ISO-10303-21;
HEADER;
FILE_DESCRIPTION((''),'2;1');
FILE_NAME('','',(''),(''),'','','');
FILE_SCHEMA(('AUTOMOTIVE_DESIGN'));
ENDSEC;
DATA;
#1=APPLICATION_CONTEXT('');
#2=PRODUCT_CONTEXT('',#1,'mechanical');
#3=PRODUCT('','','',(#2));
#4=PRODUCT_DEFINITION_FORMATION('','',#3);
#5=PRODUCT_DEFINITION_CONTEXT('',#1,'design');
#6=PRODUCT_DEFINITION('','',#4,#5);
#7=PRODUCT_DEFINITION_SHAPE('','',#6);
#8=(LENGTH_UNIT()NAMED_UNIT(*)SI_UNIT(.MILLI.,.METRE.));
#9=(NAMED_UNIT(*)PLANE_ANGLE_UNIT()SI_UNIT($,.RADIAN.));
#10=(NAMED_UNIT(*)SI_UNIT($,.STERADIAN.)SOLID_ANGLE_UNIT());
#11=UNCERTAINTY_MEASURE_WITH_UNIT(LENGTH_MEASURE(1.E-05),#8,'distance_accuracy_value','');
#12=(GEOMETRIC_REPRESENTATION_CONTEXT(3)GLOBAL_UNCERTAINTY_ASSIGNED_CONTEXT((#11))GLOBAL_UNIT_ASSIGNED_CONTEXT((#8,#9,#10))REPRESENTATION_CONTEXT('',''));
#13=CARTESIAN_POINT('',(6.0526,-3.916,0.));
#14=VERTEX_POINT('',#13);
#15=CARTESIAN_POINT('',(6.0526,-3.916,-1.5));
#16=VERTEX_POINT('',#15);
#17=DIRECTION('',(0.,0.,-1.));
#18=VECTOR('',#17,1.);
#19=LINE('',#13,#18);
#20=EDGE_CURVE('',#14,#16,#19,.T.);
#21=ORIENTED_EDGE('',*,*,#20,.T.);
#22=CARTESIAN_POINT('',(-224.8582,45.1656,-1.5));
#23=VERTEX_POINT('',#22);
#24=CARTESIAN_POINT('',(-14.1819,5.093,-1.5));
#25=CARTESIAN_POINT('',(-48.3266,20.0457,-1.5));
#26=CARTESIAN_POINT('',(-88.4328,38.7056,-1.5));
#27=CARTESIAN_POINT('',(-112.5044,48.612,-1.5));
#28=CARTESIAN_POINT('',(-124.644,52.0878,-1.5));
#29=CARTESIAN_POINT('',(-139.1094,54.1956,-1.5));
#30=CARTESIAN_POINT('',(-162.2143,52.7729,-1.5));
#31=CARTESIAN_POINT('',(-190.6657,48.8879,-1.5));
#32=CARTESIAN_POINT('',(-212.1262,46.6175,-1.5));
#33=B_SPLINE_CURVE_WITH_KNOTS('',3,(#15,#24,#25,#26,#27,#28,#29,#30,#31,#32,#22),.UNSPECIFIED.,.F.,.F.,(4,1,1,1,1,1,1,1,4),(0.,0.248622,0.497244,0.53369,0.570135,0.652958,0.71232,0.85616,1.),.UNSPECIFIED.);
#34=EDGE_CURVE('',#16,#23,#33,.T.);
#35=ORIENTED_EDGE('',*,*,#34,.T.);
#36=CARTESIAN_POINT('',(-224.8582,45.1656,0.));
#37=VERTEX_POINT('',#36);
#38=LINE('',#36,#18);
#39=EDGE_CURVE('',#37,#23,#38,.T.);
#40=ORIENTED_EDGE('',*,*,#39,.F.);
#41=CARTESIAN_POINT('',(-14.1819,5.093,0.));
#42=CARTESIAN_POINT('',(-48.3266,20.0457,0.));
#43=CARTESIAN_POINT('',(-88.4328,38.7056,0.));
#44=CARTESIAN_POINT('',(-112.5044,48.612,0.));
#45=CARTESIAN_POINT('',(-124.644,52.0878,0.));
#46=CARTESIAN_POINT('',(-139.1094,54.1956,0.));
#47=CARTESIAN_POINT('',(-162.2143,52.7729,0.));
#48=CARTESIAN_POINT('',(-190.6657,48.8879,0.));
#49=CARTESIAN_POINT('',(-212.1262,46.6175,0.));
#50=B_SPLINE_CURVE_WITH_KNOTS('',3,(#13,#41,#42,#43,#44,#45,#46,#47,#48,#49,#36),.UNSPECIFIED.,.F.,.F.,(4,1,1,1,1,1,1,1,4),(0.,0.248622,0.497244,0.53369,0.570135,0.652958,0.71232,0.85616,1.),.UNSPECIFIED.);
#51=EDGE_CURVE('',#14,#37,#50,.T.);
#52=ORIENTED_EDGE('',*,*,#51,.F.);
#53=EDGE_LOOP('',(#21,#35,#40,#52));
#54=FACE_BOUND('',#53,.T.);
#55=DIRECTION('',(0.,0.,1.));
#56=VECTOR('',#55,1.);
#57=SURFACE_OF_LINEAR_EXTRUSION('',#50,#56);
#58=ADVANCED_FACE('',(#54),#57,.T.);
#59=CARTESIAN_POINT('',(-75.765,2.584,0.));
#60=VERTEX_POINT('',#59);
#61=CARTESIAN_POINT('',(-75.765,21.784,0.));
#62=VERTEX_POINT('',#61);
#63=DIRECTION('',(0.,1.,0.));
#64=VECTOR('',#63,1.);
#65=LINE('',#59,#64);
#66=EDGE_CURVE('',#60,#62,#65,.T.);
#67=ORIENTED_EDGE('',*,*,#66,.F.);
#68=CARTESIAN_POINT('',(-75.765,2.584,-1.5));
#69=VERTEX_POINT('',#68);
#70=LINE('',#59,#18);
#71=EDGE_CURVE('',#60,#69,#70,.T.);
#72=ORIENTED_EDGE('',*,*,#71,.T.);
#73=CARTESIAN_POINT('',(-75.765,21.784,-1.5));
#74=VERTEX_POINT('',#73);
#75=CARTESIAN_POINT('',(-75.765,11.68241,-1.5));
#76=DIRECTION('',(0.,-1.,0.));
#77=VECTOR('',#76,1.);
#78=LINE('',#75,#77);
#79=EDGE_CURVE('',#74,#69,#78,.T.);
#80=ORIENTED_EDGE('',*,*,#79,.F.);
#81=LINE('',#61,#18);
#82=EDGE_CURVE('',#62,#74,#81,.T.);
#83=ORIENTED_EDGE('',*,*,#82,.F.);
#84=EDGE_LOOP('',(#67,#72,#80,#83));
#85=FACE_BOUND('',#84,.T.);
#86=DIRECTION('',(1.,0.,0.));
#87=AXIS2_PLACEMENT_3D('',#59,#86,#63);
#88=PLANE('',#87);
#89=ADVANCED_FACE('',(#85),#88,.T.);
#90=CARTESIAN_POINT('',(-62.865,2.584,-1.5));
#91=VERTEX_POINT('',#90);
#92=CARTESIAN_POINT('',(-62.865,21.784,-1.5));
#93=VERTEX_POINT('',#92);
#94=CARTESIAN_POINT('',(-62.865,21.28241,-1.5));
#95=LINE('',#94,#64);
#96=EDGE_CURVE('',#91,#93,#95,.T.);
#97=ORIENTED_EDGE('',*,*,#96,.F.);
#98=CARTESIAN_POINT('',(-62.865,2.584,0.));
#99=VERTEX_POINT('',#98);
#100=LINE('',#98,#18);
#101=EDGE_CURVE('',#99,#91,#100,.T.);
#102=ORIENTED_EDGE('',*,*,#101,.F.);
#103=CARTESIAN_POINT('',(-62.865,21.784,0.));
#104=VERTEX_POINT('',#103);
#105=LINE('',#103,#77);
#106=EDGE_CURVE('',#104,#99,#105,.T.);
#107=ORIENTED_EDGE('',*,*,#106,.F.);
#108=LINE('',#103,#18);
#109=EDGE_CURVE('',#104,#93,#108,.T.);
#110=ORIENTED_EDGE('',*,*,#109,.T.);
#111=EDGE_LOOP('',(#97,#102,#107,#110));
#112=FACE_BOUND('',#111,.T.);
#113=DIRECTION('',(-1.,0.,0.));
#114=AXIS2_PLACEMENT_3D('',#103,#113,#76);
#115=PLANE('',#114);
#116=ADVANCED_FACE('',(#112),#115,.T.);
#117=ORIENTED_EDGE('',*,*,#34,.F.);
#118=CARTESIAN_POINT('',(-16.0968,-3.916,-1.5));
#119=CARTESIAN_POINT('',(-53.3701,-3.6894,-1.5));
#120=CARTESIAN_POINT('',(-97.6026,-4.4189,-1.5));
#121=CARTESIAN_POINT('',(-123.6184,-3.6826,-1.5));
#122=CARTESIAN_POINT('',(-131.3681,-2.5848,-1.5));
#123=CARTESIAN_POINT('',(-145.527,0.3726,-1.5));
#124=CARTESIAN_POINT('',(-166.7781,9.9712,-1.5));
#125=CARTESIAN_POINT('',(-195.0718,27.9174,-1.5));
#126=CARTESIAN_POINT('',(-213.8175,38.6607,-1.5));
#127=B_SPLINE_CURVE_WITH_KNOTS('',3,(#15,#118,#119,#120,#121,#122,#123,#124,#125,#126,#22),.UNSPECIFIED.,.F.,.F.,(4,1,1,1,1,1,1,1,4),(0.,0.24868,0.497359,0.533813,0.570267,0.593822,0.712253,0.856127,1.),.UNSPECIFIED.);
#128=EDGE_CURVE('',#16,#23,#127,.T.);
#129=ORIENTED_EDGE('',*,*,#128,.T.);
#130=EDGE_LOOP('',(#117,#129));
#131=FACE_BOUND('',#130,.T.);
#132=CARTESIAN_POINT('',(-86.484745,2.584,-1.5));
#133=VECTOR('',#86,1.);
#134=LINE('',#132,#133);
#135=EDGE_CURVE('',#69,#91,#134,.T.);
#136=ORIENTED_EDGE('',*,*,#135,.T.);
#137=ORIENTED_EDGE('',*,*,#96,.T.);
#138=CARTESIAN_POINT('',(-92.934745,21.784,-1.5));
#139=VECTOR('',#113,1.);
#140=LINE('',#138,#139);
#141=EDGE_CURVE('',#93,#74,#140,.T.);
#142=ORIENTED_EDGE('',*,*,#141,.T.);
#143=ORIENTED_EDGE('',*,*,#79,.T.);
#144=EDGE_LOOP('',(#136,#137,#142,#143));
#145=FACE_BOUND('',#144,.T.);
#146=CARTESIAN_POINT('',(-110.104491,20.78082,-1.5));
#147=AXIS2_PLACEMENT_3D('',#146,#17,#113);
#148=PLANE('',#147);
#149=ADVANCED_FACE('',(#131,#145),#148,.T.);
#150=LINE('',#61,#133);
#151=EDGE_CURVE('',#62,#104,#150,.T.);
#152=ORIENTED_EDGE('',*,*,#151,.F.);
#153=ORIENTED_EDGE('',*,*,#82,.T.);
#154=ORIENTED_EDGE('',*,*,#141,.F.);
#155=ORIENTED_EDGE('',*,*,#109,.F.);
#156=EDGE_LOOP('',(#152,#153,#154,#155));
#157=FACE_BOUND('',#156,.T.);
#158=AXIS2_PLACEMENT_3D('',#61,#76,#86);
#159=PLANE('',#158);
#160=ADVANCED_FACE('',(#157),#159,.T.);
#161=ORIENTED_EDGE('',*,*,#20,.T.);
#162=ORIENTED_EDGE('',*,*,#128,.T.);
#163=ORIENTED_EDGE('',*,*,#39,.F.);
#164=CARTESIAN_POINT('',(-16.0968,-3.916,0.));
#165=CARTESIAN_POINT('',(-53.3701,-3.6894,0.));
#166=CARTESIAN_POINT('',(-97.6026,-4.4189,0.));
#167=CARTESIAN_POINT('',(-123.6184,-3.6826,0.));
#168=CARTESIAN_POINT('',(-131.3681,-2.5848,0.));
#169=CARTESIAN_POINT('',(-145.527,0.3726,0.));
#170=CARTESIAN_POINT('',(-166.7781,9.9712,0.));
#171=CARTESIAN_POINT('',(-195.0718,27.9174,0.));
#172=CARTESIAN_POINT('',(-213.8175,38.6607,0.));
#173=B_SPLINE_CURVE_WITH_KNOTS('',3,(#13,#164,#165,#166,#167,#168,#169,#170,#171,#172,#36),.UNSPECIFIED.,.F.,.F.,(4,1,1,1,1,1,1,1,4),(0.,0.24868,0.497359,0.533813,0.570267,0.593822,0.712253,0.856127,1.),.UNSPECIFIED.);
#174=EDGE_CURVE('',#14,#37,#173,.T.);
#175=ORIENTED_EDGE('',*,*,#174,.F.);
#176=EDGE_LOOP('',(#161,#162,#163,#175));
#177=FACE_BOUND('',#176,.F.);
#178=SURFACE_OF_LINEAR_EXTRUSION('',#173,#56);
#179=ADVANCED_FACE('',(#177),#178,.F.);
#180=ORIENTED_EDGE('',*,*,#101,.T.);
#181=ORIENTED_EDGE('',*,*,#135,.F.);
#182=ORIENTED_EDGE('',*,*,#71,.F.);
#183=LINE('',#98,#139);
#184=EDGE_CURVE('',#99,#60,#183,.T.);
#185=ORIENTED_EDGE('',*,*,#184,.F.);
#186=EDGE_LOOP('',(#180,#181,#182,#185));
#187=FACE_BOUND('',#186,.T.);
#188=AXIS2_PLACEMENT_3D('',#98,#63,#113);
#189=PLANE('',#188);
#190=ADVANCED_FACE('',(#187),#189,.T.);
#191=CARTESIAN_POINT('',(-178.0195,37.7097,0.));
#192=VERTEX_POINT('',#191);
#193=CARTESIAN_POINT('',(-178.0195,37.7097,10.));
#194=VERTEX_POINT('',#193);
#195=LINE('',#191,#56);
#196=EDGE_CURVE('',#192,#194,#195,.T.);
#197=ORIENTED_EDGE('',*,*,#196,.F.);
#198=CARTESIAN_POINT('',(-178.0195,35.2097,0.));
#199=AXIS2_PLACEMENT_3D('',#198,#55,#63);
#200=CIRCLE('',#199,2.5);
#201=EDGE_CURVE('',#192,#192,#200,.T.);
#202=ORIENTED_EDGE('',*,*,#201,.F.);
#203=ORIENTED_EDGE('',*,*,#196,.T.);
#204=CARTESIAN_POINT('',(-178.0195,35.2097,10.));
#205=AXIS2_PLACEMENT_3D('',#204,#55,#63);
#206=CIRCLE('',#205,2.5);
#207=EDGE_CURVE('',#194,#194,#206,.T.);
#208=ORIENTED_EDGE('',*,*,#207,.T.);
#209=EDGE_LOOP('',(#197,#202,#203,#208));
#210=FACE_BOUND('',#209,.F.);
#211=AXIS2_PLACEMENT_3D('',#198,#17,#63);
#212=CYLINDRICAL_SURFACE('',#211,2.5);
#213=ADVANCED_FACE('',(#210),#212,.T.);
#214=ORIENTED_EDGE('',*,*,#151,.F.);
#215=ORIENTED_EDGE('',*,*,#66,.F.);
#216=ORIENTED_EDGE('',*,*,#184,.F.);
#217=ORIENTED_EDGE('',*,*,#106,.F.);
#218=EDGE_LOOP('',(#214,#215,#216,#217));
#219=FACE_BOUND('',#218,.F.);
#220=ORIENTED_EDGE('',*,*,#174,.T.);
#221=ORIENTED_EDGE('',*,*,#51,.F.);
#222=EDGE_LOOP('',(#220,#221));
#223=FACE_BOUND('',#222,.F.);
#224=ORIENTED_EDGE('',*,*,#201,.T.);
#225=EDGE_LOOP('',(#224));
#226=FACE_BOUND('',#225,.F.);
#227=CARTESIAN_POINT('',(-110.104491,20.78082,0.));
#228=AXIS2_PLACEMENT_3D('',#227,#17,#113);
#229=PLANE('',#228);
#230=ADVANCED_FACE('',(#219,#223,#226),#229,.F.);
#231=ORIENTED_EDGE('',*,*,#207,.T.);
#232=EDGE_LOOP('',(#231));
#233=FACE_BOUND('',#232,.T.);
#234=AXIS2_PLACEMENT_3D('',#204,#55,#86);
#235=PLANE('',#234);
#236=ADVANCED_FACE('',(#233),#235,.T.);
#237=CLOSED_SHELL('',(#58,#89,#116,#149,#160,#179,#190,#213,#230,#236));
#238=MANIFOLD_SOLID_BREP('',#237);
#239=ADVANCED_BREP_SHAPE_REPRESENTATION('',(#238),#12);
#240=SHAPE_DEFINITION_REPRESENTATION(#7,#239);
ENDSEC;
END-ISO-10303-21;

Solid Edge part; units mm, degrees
sketch "Sketch1" plane through (0, 0, 0) normal (0, 0, 1) x (1, 0, 0)
  spline S0 degree 3 poles (6.0526, -3.916) (-16.0968, -3.916) (-53.3701, -3.6894) (-97.6026, -4.4189) (-123.6184, -3.6826) (-131.3681, -2.5848) (-145.527, 0.3726) (-166.7781, 9.9712) (-195.0718, 27.9174) (-213.8175, 38.6607) (-224.8582, 45.1656) knots 0 0 0 0 0.24868 0.497359 0.533813 0.570267 0.593822 0.712253 0.856127 1 1 1 1
  spline S1 degree 3 poles (6.0526, -3.916) (-14.1819, 5.093) (-48.3266, 20.0457) (-88.4328, 38.7056) (-112.5044, 48.612) (-124.644, 52.0878) (-139.1094, 54.1956) (-162.2143, 52.7729) (-190.6657, 48.8879) (-212.1262, 46.6175) (-224.8582, 45.1656) knots 0 0 0 0 0.248622 0.497244 0.53369 0.570135 0.652958 0.71232 0.85616 1 1 1 1
extrude "Protrusion1" add sketch "Sketch1" against normal blind 1.5
sketch "Sketch2" plane through (-109.4028, 24.8883, 0) normal (0, 0, 1) x (-1, 0, 0)
  line L0 (-33.6378, 22.3043) -> (-33.6378, 3.1043)
  line L1 (-33.6378, 3.1043) -> (-46.5378, 3.1043)
  line L2 (-46.5378, 3.1043) -> (-46.5378, 22.3043)
  line L3 (-46.5378, 22.3043) -> (-33.6378, 22.3043)
extrude "Cutout1" cut sketch "Sketch2" against normal through all
sketch "Sketch3" plane through (-109.4028, 24.8883, 0) normal (0, 0, 1) x (0, 1, 0)
  circle A0 centre (10.3214, 68.6167) radius 2.5
extrude "Protrusion2" add sketch "Sketch3" along normal blind 10
